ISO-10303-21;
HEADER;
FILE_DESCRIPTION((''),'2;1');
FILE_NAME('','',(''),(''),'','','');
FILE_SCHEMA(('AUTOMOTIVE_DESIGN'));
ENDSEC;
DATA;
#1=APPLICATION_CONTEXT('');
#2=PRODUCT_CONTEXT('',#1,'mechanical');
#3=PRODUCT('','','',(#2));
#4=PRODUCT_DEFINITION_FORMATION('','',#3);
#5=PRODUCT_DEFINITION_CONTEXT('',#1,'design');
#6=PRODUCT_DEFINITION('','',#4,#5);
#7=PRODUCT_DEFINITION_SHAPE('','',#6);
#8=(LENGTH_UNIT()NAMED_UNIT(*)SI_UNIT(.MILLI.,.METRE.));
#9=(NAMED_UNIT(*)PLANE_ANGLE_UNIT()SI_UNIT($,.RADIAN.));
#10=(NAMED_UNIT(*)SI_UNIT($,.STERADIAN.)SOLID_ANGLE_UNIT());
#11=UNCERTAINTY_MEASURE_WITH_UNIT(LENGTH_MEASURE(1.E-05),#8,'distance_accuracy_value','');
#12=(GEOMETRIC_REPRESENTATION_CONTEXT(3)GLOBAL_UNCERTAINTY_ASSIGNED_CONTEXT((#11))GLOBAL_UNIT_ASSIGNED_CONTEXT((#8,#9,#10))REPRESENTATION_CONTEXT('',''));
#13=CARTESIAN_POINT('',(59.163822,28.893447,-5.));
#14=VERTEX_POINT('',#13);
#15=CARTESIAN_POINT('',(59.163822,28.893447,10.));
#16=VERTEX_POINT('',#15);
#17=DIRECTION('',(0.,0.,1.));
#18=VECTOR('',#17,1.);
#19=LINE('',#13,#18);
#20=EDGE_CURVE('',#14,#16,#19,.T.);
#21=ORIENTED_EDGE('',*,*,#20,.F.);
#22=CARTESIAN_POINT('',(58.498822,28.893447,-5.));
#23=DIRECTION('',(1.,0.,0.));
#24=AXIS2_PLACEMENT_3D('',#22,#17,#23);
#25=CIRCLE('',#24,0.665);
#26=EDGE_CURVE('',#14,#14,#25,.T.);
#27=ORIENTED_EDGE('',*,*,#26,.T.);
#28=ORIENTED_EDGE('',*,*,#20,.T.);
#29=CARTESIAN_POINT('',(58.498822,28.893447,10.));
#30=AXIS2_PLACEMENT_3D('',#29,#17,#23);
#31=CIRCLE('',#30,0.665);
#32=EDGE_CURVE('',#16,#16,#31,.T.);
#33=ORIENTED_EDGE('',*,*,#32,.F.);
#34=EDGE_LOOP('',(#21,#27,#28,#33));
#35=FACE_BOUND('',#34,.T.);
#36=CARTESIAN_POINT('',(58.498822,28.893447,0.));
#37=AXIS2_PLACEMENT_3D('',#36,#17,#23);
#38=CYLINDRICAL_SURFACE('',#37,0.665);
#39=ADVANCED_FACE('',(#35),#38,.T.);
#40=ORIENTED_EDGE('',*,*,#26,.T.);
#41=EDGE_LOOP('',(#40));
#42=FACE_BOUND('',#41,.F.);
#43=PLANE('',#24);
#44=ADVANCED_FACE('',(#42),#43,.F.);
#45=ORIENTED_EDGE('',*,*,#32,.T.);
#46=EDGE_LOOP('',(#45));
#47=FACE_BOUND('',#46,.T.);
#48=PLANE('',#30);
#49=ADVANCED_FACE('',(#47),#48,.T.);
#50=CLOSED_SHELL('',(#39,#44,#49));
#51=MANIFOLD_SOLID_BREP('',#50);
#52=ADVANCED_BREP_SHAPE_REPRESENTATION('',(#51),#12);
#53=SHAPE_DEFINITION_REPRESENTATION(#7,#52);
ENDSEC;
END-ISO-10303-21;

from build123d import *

# Parameters (mm, degrees)
CROQUIS11_R                  = 0.665
SALIENTE_EXTRUIR8_DEPTH      = 10
SALIENTE_EXTRUIR8_DEPTH_BACK = 5


with BuildPart() as part:
    # Croquis11 → Saliente-Extruir8 (new body, two sides)
    with BuildSketch(Plane.XY) as saliente_extruir8_sk:
        with Locations((58.498821663, 28.89344742)):
            Circle(CROQUIS11_R)
    extrude(amount=SALIENTE_EXTRUIR8_DEPTH)
    extrude(saliente_extruir8_sk.sketch, amount=-SALIENTE_EXTRUIR8_DEPTH_BACK)


solid = part.part
